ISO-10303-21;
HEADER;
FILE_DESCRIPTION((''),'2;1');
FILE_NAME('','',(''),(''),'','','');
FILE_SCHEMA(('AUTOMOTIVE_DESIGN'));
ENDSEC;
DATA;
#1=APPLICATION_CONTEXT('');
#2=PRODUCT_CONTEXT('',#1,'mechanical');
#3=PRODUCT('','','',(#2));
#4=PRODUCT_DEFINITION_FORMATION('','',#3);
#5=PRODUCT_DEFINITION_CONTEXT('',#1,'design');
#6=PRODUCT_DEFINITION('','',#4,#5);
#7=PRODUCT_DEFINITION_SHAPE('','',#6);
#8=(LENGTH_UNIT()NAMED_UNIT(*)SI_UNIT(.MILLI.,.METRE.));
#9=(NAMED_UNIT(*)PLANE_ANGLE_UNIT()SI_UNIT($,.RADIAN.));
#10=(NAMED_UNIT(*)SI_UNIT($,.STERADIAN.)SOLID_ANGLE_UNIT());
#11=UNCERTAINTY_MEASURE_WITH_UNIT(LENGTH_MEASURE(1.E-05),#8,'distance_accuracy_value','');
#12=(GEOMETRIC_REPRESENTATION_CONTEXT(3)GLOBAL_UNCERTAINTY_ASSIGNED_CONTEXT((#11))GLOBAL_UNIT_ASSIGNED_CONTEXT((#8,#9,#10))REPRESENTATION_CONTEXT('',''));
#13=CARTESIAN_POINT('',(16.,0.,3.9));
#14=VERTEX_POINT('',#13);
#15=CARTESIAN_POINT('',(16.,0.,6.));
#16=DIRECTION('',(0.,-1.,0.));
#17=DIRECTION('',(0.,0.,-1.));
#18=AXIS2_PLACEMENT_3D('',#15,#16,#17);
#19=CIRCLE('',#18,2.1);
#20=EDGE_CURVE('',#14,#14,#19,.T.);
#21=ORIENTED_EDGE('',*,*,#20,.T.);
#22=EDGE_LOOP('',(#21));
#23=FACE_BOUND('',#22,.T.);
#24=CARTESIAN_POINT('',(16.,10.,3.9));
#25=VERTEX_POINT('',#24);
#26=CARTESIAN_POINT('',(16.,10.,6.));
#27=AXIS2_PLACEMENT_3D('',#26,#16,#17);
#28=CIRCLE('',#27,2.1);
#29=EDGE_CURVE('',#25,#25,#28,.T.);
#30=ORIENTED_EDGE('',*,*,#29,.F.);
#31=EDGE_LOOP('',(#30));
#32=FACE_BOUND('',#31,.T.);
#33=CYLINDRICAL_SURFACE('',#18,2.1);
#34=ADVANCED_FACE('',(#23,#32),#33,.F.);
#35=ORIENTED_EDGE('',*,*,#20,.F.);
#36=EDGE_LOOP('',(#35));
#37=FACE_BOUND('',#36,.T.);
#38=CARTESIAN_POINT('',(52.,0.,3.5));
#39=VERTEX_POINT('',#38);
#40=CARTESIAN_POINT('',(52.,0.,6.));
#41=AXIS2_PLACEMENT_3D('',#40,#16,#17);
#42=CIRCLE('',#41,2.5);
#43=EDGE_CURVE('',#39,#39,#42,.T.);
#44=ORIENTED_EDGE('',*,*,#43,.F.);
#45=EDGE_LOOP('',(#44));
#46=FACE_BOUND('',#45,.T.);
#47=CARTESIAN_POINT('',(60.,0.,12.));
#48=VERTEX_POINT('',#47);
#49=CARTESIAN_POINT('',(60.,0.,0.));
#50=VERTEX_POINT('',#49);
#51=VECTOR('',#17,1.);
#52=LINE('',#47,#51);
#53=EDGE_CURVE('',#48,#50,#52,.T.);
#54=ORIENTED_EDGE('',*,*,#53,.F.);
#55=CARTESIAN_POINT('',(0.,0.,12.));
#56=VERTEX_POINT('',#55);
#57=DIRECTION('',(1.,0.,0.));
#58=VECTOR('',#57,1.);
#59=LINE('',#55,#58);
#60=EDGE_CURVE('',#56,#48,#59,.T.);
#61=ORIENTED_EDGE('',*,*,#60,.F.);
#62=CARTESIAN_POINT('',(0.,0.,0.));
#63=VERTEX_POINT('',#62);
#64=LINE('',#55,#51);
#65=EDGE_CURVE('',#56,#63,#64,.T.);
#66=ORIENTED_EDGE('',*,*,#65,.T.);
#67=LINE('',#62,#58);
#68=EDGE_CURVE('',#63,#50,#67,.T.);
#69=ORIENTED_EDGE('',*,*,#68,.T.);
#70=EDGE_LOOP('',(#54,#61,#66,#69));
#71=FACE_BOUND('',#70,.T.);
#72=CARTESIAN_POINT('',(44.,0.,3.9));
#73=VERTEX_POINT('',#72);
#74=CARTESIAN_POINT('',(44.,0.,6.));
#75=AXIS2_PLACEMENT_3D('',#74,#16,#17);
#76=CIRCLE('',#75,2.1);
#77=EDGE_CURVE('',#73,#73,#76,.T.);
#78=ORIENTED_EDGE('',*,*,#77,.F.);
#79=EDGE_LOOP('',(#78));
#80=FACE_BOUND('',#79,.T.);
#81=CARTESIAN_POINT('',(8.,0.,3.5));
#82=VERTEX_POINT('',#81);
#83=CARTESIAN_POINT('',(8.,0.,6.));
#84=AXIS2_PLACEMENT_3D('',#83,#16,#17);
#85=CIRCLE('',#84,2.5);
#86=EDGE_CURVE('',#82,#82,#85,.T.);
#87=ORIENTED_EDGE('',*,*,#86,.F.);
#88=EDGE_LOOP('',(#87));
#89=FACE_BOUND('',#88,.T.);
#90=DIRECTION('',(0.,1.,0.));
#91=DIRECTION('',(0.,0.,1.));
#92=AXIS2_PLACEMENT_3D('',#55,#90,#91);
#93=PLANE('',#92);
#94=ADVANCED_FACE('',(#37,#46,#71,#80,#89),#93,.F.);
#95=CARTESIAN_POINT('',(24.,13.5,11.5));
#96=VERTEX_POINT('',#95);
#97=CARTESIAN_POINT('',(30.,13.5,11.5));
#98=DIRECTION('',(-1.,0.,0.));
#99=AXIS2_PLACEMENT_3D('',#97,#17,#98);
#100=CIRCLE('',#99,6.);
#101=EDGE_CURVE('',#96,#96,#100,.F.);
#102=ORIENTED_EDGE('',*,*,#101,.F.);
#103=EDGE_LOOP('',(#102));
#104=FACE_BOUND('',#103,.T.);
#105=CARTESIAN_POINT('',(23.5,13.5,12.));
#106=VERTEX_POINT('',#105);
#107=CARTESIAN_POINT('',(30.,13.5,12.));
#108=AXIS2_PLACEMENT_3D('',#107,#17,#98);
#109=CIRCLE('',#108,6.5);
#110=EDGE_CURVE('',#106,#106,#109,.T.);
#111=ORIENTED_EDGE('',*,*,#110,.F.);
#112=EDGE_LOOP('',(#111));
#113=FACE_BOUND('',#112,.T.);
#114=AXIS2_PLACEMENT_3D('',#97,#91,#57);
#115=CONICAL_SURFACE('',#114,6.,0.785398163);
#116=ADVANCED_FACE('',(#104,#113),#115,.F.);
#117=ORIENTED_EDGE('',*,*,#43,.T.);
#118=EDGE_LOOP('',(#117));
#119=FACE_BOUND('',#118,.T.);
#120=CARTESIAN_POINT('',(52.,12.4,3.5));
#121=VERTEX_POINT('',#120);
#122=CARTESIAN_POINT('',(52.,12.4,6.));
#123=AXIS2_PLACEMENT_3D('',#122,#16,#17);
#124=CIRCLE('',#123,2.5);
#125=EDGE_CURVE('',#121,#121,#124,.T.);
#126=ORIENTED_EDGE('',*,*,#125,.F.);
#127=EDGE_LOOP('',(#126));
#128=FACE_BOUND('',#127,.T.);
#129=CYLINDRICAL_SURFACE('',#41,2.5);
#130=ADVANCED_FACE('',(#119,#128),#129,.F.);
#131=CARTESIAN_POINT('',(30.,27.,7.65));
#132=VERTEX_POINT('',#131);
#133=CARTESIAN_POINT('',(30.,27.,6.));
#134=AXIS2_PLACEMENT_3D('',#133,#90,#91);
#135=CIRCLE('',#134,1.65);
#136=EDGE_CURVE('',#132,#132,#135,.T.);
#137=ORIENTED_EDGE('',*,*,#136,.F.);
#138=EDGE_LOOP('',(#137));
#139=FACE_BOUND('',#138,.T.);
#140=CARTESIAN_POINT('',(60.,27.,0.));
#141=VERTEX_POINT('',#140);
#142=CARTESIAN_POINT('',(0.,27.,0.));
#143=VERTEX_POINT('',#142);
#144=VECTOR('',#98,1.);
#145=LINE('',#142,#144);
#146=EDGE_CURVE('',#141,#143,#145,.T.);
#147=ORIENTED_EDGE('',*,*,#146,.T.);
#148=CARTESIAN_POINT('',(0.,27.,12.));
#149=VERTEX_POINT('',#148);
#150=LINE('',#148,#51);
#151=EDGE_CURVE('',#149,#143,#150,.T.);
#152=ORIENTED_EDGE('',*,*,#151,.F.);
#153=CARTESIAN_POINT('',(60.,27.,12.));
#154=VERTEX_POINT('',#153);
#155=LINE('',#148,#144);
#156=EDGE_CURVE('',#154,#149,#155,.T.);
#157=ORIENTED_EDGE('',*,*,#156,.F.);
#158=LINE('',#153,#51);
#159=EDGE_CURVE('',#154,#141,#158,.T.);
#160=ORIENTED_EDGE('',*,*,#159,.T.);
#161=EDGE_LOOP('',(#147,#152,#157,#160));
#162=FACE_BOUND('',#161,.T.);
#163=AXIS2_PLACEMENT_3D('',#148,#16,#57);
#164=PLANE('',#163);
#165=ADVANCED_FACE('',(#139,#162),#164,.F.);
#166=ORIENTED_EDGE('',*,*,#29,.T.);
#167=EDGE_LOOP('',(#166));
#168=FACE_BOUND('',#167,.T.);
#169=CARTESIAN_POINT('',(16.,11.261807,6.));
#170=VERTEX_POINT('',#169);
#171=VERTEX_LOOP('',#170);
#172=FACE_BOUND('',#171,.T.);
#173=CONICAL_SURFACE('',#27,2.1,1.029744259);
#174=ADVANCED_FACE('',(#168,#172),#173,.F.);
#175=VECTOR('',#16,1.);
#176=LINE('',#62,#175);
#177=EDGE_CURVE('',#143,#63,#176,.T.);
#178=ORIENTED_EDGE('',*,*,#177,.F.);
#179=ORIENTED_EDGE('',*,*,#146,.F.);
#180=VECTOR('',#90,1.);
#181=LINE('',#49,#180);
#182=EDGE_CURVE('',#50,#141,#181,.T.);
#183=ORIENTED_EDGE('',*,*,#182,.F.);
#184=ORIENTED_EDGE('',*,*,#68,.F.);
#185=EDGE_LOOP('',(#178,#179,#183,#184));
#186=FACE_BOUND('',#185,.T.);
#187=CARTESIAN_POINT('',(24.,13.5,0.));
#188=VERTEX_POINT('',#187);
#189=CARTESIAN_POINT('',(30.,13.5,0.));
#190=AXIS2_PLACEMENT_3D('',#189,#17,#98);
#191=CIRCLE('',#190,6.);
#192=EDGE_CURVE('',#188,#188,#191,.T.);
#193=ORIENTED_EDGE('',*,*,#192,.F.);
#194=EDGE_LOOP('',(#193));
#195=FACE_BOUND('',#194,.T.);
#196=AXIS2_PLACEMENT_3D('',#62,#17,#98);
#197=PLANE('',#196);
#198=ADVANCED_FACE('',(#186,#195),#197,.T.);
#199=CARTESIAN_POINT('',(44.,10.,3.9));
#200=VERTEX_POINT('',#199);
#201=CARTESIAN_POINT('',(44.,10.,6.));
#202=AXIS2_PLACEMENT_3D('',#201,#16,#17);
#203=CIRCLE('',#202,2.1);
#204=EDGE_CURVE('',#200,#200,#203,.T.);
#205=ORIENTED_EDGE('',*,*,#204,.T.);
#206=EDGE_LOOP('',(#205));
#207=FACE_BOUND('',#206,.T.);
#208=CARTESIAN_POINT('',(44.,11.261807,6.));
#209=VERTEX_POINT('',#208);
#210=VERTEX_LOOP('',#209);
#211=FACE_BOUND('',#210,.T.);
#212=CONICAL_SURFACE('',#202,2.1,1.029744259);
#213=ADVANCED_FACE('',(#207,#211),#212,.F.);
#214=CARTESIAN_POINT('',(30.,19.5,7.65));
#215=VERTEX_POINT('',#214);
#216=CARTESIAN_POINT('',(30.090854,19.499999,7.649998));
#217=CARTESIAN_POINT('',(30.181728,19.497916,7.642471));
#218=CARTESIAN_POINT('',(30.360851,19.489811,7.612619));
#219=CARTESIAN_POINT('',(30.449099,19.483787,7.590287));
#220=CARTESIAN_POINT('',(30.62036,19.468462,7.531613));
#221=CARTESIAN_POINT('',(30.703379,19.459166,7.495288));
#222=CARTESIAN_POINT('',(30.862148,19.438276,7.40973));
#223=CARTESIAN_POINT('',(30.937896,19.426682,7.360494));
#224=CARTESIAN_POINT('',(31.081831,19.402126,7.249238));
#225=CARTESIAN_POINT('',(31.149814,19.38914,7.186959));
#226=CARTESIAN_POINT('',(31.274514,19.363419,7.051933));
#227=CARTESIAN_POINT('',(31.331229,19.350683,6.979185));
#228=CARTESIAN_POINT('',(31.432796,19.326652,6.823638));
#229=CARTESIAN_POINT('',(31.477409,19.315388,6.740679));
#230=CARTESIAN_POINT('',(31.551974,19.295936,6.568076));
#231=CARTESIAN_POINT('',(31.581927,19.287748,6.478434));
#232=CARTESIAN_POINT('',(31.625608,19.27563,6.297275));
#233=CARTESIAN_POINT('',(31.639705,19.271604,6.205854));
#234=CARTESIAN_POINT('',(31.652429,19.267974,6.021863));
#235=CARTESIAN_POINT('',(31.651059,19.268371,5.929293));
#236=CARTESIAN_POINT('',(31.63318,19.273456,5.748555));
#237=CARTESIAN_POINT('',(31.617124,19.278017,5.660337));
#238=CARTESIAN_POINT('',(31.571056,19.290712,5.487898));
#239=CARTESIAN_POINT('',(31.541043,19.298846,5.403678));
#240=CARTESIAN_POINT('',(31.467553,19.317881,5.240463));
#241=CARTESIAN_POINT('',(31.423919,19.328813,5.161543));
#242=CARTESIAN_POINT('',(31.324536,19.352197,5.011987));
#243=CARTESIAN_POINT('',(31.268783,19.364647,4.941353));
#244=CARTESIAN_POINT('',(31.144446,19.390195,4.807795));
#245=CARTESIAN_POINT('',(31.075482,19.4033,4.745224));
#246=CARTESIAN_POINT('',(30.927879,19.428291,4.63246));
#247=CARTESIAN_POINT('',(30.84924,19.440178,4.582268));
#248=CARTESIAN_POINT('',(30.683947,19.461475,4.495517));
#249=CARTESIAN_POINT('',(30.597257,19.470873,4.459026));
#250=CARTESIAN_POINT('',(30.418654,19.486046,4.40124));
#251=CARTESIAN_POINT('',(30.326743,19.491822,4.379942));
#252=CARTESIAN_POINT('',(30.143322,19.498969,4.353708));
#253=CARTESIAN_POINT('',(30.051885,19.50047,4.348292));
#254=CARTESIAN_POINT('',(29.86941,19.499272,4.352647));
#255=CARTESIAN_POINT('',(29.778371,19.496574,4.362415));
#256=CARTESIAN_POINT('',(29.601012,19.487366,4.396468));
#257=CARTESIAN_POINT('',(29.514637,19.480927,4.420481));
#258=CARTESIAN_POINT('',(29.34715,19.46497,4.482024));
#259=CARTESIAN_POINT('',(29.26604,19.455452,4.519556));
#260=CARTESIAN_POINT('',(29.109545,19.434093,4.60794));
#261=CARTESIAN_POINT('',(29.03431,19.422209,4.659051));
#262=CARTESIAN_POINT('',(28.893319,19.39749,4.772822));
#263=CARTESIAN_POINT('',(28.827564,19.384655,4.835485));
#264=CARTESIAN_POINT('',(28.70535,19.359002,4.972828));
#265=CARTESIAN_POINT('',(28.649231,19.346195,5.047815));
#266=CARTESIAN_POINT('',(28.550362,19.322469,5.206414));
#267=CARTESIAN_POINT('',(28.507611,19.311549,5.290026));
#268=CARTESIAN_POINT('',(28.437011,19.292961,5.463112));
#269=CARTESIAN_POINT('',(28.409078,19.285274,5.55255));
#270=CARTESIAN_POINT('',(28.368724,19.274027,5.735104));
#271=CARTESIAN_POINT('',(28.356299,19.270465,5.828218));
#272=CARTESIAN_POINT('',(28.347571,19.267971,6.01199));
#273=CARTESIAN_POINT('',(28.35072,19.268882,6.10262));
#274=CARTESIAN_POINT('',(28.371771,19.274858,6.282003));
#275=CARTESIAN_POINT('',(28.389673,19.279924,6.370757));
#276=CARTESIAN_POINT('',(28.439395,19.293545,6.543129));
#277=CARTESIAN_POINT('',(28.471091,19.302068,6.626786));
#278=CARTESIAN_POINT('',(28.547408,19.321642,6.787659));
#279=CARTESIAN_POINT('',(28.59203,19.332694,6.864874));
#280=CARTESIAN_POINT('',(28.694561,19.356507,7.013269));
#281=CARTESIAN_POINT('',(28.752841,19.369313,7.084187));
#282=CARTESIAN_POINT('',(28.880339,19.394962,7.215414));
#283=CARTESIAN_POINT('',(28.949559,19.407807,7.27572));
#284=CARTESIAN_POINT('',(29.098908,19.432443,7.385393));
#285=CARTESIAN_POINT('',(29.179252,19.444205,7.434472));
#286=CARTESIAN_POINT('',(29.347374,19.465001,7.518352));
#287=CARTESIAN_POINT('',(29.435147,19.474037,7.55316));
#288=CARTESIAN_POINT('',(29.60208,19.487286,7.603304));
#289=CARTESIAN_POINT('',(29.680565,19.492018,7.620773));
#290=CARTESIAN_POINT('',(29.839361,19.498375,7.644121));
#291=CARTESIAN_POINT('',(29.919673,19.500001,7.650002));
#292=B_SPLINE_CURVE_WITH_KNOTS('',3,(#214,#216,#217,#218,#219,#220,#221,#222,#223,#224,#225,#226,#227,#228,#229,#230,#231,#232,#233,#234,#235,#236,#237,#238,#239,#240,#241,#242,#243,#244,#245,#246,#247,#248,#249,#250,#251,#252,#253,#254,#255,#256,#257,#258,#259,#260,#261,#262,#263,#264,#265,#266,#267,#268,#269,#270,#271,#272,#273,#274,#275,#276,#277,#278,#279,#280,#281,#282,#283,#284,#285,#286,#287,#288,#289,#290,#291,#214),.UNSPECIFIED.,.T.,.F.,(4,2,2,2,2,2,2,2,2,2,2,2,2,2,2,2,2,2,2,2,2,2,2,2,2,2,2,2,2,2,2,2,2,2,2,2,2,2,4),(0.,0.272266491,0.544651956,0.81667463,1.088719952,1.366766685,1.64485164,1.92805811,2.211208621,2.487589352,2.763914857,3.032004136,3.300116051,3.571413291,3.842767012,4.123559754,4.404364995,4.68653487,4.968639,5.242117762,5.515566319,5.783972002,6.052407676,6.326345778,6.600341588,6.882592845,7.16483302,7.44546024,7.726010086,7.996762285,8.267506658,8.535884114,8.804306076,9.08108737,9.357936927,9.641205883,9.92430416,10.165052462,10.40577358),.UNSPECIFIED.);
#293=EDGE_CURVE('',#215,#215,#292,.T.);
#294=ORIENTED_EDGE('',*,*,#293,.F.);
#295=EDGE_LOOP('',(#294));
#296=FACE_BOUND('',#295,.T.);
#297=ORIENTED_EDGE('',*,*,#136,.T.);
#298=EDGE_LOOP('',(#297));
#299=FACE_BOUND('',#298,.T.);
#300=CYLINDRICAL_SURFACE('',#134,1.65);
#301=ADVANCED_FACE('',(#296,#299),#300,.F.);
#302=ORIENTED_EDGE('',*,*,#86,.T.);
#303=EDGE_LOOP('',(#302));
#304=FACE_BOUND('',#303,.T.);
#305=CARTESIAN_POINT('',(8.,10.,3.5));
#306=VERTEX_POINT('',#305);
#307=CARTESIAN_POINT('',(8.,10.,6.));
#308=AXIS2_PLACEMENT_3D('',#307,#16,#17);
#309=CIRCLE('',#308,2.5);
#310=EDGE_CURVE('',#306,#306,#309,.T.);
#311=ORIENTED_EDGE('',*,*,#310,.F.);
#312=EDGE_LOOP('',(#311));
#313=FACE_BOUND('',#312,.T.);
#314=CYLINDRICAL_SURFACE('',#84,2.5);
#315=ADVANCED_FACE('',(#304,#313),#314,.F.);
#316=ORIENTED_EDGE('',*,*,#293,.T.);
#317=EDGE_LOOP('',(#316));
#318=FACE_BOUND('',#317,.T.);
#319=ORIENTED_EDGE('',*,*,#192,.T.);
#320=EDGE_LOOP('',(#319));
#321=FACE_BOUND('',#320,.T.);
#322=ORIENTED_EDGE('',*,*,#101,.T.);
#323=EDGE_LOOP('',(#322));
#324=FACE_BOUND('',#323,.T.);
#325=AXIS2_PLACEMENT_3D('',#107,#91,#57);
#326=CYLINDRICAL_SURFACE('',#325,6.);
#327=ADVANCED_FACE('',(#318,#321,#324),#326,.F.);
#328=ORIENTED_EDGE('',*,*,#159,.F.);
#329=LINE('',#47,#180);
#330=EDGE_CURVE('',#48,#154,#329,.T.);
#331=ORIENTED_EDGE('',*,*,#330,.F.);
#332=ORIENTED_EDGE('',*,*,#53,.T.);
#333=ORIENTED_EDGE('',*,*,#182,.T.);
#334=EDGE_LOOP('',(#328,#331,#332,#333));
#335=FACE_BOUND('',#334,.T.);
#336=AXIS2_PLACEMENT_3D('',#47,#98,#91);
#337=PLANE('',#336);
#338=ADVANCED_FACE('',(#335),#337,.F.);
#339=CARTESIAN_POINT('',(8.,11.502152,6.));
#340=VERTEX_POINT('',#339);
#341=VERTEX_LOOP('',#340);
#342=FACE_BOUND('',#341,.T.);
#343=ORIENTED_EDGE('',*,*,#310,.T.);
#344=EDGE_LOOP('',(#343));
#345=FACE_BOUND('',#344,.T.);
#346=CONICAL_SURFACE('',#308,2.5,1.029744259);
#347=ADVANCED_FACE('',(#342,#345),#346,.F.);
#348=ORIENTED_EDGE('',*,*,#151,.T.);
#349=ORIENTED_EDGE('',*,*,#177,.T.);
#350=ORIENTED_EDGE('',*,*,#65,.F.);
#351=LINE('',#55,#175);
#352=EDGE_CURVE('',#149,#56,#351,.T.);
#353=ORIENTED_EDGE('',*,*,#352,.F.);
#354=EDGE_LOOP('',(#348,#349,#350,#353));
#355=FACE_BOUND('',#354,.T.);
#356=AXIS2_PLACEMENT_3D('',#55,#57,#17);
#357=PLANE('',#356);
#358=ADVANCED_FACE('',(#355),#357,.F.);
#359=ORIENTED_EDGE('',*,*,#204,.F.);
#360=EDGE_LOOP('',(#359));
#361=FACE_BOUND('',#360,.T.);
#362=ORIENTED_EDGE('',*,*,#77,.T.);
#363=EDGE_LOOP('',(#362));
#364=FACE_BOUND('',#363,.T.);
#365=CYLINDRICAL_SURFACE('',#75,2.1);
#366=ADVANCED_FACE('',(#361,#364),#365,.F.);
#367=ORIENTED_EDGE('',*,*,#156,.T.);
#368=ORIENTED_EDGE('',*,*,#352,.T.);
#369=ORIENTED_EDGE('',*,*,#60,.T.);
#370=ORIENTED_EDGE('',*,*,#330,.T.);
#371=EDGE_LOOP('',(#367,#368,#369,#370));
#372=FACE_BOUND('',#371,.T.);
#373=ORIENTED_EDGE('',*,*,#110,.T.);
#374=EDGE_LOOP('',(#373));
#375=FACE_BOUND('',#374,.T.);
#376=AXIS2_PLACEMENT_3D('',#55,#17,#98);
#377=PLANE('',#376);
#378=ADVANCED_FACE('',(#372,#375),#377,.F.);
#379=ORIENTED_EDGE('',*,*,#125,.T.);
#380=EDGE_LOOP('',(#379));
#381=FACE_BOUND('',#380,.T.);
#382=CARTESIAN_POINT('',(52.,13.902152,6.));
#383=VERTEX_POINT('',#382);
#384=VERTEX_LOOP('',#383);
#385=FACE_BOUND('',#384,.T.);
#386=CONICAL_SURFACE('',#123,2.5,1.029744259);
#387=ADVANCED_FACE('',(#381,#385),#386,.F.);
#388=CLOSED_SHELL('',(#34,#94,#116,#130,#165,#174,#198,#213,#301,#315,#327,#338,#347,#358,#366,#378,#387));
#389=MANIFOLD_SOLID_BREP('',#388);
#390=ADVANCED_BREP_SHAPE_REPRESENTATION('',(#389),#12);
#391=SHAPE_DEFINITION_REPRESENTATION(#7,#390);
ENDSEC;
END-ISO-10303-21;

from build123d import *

# Parameters (mm, degrees)
SKETCH2_W                            = 60
SKETCH2_H                            = 27
BOSS_EXTRUDE1_DEPTH                  = 12
F_12_0MM_CLEARANCE_DOWEL_HOLE1_D     = 12
F_12_0MM_CLEARANCE_DOWEL_HOLE1_DEPTH = 12.4
F_12_0MM_CLEARANCE_DOWEL_HOLE1_TIP   = 3.605163714
M4_TAPPED_HOLE1_D                    = 3.3
M4_TAPPED_HOLE1_DEPTH                = 10.1
M4_TAPPED_HOLE1_TIP                  = 0.991420021
CHAMFER1_SIZE                        = 0.5
F_5_0MM_CLEARANCE_DOWEL_HOLE3_D      = 5
F_5_0MM_CLEARANCE_DOWEL_HOLE3_DEPTH  = 10
F_5_0MM_CLEARANCE_DOWEL_HOLE3_TIP    = 1.502151548
M5_TAPPED_HOLE3_D                    = 4.2
M5_TAPPED_HOLE3_DEPTH                = 10
M5_TAPPED_HOLE3_TIP                  = 1.2618073
M5_TAPPED_HOLE4_D                    = 4.2
M5_TAPPED_HOLE4_DEPTH                = 10
M5_TAPPED_HOLE4_TIP                  = 1.2618073
F_5_0MM_CLEARANCE_DOWEL_HOLE4_D      = 5
F_5_0MM_CLEARANCE_DOWEL_HOLE4_DEPTH  = 12.4
F_5_0MM_CLEARANCE_DOWEL_HOLE4_TIP    = 1.502151548


with BuildPart() as part:
    # Sketch2 → Boss-Extrude1 (new body)
    with BuildSketch(Plane.XY):
        with Locations((30, 13.5)):
            Rectangle(SKETCH2_W, SKETCH2_H)
    extrude(amount=BOSS_EXTRUDE1_DEPTH)

    # Ø12.0mm Clearance Dowel Hole1
    with Locations(Plane.XY.offset(12)):
        with Locations((30, 13.5)):
            Hole(F_12_0MM_CLEARANCE_DOWEL_HOLE1_D / 2, depth=F_12_0MM_CLEARANCE_DOWEL_HOLE1_DEPTH)
            with Locations((0, 0, -(F_12_0MM_CLEARANCE_DOWEL_HOLE1_DEPTH + F_12_0MM_CLEARANCE_DOWEL_HOLE1_TIP / 2))):  # 118° drill point
                Cone(0, F_12_0MM_CLEARANCE_DOWEL_HOLE1_D / 2, F_12_0MM_CLEARANCE_DOWEL_HOLE1_TIP, mode=Mode.SUBTRACT)

    # M4 Tapped Hole1
    with Locations(Plane(origin=(0, 27, 0), x_dir=(1, 0, 0), z_dir=(0, 1, 0))):
        with Locations((30, -6)):
            Hole(M4_TAPPED_HOLE1_D / 2, depth=M4_TAPPED_HOLE1_DEPTH)
            with Locations((0, 0, -(M4_TAPPED_HOLE1_DEPTH + M4_TAPPED_HOLE1_TIP / 2))):  # 118° drill point
                Cone(0, M4_TAPPED_HOLE1_D / 2, M4_TAPPED_HOLE1_TIP, mode=Mode.SUBTRACT)

    # Chamfer1
    chamfer1_edges = [part.edges().sort_by_distance(p)[0] for p in [
        (36, 13.5, 12),
    ]]
    chamfer(chamfer1_edges, length=CHAMFER1_SIZE)

    # Ø5.0mm Clearance Dowel Hole3
    with Locations(Plane(origin=(8, 0, 6), x_dir=(0, 0, -1), z_dir=(0, -1, 0))):
        with Locations((0, 0)):
            Hole(F_5_0MM_CLEARANCE_DOWEL_HOLE3_D / 2, depth=F_5_0MM_CLEARANCE_DOWEL_HOLE3_DEPTH)
            with Locations((0, 0, -(F_5_0MM_CLEARANCE_DOWEL_HOLE3_DEPTH + F_5_0MM_CLEARANCE_DOWEL_HOLE3_TIP / 2))):  # 118° drill point
                Cone(0, F_5_0MM_CLEARANCE_DOWEL_HOLE3_D / 2, F_5_0MM_CLEARANCE_DOWEL_HOLE3_TIP, mode=Mode.SUBTRACT)

    # M5 Tapped Hole3
    with Locations(Plane(origin=(16, 0, 6), x_dir=(0, 0, -1), z_dir=(0, -1, 0))):
        with Locations((0, 0)):
            Hole(M5_TAPPED_HOLE3_D / 2, depth=M5_TAPPED_HOLE3_DEPTH)
            with Locations((0, 0, -(M5_TAPPED_HOLE3_DEPTH + M5_TAPPED_HOLE3_TIP / 2))):  # 118° drill point
                Cone(0, M5_TAPPED_HOLE3_D / 2, M5_TAPPED_HOLE3_TIP, mode=Mode.SUBTRACT)

    # M5 Tapped Hole4
    with Locations(Plane(origin=(44, 0, 6), x_dir=(0, 0, -1), z_dir=(0, -1, 0))):
        with Locations((0, 0)):
            Hole(M5_TAPPED_HOLE4_D / 2, depth=M5_TAPPED_HOLE4_DEPTH)
            with Locations((0, 0, -(M5_TAPPED_HOLE4_DEPTH + M5_TAPPED_HOLE4_TIP / 2))):  # 118° drill point
                Cone(0, M5_TAPPED_HOLE4_D / 2, M5_TAPPED_HOLE4_TIP, mode=Mode.SUBTRACT)

    # Ø5.0mm Clearance Dowel Hole4
    with Locations(Plane(origin=(52, 0, 6), x_dir=(0, 0, -1), z_dir=(0, -1, 0))):
        with Locations((0, 0)):
            Hole(F_5_0MM_CLEARANCE_DOWEL_HOLE4_D / 2, depth=F_5_0MM_CLEARANCE_DOWEL_HOLE4_DEPTH)
            with Locations((0, 0, -(F_5_0MM_CLEARANCE_DOWEL_HOLE4_DEPTH + F_5_0MM_CLEARANCE_DOWEL_HOLE4_TIP / 2))):  # 118° drill point
                Cone(0, F_5_0MM_CLEARANCE_DOWEL_HOLE4_D / 2, F_5_0MM_CLEARANCE_DOWEL_HOLE4_TIP, mode=Mode.SUBTRACT)


solid = part.part
